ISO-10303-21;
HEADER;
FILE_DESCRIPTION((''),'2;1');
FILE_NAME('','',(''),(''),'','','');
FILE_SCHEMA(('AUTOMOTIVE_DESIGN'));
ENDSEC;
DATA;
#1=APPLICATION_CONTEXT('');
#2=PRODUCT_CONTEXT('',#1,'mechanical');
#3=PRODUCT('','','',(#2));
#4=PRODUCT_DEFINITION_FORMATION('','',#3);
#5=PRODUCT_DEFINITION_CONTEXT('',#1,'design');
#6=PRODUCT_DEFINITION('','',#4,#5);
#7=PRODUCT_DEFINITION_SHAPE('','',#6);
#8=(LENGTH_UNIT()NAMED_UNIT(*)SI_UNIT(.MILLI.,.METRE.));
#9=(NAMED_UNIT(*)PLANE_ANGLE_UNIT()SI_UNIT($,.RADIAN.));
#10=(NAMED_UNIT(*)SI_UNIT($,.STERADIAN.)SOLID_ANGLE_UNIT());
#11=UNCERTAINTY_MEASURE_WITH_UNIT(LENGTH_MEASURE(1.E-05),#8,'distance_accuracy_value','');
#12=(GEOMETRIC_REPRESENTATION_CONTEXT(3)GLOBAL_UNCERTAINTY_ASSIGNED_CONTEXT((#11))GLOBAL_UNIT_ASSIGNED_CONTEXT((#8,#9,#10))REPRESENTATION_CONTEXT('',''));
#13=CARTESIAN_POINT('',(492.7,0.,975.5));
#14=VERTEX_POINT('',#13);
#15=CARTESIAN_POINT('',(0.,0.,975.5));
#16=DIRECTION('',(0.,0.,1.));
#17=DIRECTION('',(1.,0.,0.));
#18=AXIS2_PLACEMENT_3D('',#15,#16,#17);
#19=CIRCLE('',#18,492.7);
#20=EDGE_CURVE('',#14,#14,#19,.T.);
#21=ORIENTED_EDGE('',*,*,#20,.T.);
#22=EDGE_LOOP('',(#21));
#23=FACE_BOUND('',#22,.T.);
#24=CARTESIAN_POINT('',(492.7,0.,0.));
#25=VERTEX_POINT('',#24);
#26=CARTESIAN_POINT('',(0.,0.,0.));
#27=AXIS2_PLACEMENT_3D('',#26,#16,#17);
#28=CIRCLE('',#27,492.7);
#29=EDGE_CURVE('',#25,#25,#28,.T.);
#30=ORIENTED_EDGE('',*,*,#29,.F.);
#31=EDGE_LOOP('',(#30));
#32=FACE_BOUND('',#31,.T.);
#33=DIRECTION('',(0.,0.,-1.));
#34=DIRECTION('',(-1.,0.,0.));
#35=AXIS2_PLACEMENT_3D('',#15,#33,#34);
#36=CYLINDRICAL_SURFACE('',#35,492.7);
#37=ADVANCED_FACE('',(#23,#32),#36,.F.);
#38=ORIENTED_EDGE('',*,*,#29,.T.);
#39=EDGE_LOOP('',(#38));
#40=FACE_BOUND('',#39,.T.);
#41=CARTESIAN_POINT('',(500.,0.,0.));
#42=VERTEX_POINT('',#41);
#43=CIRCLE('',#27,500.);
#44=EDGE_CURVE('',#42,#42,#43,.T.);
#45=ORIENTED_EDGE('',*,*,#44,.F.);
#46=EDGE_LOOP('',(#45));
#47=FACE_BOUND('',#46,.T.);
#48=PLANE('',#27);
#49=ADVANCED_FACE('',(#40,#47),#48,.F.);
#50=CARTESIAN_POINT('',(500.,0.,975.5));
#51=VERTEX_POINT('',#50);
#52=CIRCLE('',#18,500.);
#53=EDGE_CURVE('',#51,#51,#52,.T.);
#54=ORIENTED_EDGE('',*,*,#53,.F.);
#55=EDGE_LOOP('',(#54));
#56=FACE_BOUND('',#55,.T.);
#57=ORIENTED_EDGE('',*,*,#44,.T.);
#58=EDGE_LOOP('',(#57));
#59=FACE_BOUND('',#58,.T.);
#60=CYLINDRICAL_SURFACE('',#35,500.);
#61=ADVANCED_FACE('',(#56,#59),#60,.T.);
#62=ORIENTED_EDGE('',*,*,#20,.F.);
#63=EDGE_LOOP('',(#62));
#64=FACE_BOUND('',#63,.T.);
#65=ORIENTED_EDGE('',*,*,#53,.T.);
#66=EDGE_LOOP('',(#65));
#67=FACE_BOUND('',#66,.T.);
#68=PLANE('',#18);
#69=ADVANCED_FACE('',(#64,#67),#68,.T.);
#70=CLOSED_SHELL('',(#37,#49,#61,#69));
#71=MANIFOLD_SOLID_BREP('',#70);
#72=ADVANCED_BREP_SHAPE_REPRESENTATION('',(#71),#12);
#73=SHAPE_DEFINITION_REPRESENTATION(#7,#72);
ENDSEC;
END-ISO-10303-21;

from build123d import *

# Parameters (mm, degrees)
SCHIZZO1_R                   = 500
SCHIZZO1_R_2                 = 492.7
ESTRUSIONE_ESTRUSIONE1_DEPTH = 975.5


with BuildPart() as part:
    # Schizzo1 → Estrusione-Estrusione1 (new body)
    with BuildSketch(Plane.XY):
        Circle(SCHIZZO1_R)
        Circle(SCHIZZO1_R_2, mode=Mode.SUBTRACT)
    extrude(amount=ESTRUSIONE_ESTRUSIONE1_DEPTH)


solid = part.part
